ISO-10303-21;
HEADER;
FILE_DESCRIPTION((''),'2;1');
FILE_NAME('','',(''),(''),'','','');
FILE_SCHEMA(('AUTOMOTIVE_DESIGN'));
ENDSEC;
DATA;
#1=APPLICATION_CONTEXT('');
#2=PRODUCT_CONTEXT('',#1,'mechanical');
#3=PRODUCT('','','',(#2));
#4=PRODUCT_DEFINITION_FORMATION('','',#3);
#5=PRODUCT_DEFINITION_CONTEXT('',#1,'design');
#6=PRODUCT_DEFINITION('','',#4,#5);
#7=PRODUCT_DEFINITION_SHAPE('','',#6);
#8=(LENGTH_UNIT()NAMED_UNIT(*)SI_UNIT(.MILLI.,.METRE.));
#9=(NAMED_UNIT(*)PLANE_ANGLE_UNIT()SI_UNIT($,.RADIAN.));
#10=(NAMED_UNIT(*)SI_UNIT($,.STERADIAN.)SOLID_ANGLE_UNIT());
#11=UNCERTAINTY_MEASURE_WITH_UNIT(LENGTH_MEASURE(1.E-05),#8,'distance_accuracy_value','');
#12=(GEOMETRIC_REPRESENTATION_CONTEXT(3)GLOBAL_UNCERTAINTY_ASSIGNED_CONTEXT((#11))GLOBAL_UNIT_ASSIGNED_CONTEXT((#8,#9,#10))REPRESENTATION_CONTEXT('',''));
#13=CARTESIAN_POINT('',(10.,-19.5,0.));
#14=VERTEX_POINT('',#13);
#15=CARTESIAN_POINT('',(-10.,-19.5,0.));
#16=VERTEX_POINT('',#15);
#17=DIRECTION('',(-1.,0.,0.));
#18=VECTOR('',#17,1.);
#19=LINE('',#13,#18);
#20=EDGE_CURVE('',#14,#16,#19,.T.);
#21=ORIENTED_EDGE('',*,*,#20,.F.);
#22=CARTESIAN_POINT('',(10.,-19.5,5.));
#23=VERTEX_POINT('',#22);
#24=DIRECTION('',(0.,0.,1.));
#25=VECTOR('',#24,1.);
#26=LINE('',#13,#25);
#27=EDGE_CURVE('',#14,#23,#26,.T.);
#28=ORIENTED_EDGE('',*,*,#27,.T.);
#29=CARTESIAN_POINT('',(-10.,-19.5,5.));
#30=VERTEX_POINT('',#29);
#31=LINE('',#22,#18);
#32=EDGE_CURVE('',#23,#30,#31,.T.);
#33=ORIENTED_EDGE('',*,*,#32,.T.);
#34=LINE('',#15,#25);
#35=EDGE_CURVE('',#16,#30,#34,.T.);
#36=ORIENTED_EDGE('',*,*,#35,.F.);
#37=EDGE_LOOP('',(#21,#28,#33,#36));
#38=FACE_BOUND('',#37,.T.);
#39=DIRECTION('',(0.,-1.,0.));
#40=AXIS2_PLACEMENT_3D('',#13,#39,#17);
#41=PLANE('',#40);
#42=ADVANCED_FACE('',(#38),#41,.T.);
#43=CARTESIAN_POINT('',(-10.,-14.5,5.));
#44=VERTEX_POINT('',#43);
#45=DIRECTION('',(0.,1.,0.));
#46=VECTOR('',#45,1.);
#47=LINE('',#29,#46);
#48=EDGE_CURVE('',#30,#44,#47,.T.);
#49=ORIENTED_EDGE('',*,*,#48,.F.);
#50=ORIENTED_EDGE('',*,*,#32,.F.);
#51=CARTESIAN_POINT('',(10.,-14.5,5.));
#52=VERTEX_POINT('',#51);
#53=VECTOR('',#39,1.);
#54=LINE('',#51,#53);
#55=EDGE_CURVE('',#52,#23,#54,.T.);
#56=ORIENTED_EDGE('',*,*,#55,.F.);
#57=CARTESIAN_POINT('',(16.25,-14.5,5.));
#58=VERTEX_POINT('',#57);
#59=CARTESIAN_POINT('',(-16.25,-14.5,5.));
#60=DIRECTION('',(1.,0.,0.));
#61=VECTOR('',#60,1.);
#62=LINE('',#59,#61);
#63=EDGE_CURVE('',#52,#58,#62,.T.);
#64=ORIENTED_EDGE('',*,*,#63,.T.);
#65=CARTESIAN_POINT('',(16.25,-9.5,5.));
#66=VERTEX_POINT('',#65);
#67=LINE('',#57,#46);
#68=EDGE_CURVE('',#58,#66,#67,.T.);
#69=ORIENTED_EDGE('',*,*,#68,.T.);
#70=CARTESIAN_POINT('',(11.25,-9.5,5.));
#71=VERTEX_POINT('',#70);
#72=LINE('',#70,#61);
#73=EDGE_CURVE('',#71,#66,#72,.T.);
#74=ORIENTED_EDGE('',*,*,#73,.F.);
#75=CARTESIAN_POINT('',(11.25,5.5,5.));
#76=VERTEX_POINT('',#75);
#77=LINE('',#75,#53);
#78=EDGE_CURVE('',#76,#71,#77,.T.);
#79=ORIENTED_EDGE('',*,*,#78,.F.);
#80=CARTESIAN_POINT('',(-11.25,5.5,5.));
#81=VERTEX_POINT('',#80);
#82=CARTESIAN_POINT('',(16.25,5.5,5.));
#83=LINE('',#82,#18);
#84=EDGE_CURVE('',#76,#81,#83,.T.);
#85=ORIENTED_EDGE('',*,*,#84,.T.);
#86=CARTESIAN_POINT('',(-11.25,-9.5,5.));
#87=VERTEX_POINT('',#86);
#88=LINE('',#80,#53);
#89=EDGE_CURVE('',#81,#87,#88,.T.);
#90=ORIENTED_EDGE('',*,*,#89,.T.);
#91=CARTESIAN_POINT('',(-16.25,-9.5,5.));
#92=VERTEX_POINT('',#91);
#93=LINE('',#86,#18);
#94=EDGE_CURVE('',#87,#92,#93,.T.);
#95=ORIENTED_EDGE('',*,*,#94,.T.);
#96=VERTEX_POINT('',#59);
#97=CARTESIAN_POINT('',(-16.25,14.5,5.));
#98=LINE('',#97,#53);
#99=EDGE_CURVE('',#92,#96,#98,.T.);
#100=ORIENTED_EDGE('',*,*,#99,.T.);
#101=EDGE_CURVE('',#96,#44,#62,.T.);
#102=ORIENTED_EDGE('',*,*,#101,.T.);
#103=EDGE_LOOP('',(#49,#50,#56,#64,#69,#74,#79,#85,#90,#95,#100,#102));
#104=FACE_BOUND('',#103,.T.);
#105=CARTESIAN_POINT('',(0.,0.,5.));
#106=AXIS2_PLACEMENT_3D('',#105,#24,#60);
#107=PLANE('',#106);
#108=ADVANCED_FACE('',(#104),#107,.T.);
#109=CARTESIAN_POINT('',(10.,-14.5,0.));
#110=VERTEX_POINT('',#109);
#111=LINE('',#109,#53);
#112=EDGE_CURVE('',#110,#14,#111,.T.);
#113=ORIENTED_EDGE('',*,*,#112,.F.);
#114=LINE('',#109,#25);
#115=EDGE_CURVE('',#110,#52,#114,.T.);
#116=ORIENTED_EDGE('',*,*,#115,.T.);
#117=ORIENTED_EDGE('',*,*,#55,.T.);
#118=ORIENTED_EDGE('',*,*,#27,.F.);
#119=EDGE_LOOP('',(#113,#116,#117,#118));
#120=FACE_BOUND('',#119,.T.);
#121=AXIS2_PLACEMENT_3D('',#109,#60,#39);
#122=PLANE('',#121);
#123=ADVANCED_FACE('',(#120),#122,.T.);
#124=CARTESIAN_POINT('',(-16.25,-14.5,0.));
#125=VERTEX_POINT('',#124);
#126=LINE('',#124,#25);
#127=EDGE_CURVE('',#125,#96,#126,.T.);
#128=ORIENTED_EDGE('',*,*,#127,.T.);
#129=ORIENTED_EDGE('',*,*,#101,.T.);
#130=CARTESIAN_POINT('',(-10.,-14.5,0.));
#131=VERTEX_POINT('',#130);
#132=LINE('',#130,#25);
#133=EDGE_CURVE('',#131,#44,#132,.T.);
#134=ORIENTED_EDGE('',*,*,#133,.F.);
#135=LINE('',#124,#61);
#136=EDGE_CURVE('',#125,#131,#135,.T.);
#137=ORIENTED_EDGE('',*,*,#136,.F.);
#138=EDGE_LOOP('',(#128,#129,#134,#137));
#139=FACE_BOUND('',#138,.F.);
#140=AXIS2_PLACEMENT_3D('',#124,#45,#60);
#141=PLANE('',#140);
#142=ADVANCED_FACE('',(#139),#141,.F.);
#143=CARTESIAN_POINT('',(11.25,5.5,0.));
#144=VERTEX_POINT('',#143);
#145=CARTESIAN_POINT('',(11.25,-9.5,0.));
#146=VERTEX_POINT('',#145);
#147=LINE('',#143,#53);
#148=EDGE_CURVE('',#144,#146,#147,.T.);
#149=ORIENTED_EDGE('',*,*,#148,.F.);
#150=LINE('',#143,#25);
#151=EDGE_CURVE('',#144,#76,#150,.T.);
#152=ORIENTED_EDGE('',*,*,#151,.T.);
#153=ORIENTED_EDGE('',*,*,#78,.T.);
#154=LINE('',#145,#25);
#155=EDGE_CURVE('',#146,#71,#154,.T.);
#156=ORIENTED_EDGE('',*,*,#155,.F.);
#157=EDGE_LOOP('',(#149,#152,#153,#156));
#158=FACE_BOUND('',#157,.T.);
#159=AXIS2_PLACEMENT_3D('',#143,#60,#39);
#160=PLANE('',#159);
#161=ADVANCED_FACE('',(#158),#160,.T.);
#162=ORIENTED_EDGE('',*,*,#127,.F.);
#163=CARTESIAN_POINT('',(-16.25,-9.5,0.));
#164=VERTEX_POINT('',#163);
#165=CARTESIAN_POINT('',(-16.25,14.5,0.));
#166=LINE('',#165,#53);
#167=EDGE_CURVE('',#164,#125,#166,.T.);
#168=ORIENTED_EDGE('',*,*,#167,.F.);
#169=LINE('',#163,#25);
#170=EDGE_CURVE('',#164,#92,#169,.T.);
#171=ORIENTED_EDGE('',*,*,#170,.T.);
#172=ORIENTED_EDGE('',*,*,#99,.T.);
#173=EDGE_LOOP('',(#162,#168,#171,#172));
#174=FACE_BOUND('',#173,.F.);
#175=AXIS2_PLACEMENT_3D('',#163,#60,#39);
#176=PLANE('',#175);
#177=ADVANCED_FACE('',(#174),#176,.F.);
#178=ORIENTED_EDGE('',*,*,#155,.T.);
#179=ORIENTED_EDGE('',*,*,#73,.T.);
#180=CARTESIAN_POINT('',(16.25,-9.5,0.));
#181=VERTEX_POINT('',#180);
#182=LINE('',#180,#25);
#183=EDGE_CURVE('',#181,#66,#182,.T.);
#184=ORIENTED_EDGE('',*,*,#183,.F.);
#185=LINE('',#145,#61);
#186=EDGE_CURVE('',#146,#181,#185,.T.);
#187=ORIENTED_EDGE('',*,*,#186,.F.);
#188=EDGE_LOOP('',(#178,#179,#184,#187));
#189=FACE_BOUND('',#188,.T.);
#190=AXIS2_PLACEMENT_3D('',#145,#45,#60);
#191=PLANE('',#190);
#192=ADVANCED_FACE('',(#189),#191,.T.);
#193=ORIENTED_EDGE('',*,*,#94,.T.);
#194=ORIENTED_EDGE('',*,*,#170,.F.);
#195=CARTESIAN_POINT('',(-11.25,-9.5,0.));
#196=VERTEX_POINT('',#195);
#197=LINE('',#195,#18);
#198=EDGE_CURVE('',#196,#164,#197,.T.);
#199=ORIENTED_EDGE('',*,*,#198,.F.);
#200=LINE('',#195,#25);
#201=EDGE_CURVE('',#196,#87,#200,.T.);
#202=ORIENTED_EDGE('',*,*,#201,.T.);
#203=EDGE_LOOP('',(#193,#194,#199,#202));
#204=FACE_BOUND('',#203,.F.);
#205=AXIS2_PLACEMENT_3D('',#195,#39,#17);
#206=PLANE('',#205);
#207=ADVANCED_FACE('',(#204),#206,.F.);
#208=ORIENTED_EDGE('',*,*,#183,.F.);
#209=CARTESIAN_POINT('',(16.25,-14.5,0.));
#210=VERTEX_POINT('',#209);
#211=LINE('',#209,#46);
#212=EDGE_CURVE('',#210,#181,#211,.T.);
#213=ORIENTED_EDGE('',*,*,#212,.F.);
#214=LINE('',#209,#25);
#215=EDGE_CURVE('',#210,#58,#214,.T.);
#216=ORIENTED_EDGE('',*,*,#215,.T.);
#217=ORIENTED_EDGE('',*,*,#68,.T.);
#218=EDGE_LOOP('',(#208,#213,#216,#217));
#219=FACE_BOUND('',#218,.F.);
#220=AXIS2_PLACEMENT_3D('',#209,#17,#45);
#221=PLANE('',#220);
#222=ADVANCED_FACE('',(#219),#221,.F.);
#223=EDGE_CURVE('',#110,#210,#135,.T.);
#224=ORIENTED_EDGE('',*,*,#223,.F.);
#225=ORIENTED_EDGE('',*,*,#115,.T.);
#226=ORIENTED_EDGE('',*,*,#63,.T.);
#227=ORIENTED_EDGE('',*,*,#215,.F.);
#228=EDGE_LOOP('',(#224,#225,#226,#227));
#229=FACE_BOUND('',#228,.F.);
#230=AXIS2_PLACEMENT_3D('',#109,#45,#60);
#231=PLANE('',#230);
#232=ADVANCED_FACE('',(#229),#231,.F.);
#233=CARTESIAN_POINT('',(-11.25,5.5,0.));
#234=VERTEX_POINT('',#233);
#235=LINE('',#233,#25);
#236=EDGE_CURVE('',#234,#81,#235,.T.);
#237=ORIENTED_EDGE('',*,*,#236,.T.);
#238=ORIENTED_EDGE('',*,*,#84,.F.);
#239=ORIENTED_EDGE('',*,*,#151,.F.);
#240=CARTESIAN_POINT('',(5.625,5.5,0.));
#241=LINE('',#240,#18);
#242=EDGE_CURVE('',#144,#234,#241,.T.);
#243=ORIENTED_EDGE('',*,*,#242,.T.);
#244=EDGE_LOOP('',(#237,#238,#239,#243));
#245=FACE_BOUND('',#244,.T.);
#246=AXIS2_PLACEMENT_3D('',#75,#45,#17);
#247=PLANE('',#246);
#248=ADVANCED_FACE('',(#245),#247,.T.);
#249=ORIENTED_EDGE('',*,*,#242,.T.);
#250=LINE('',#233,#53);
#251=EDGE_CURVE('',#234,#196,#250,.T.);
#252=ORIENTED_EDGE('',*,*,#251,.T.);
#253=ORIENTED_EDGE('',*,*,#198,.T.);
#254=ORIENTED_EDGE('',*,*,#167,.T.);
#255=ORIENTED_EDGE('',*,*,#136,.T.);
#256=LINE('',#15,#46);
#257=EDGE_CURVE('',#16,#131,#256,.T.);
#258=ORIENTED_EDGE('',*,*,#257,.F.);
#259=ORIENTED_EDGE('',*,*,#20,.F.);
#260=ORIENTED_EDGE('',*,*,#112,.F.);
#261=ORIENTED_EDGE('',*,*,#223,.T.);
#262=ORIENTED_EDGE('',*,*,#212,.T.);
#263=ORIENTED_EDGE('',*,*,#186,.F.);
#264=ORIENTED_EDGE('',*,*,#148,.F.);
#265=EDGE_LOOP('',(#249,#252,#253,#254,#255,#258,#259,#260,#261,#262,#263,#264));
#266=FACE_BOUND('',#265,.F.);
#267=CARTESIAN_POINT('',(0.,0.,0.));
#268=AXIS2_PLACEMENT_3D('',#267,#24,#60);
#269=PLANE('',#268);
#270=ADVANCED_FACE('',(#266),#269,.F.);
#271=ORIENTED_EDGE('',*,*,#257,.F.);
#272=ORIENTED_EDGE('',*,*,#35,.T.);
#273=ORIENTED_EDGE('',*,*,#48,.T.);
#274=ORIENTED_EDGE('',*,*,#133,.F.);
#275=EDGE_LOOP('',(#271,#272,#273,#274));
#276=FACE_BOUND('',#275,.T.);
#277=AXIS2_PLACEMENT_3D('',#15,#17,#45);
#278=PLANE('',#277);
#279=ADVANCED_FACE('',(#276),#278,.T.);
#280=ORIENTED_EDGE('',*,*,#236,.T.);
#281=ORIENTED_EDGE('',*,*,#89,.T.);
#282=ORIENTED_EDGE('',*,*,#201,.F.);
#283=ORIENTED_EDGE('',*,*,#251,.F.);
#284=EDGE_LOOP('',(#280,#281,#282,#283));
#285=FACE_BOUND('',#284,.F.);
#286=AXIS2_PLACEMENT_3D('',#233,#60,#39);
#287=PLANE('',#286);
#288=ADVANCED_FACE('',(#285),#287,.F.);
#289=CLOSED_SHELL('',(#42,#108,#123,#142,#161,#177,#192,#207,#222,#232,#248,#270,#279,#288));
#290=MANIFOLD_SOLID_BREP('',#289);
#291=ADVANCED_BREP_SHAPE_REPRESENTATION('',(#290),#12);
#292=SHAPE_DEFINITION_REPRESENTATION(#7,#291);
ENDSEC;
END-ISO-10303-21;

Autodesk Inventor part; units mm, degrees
ref_plane "YZ Plane" through (0, 0, 0) normal (1, 0, 0) x (0, 1, 0)
ref_plane "XZ Plane" through (0, 0, 0) normal (0, 1, 0) x (-1, 0, 0)
ref_plane "XY Plane" through (0, 0, 0) normal (0, 0, 1) x (1, 0, 0)
sketch "Sketch1" plane through (0, 0, 0) normal (0, 0, 1) x (1, 0, 0)
  line L0 (-16.25, -14.5) -> (16.25, -14.5)
  line L1 (16.25, -14.5) -> (16.25, 14.5)
  line L2 (16.25, 14.5) -> (-16.25, 14.5)
  line L3 (-16.25, 14.5) -> (-16.25, -14.5)
  line L4 (-16.25, -14.5) -> (16.25, 14.5) construction
  line L5 (16.25, -14.5) -> (-16.25, 14.5) construction
  line L6 (-10, -14.5) -> (10, -14.5)
  line L7 (10, -14.5) -> (10, -19.5)
  line L8 (10, -19.5) -> (-10, -19.5)
  line L9 (-10, -19.5) -> (-10, -14.5)
  line L10 (16.25, 5.5) -> (11.25, 5.5)
  line L11 (11.25, 5.5) -> (11.25, -9.5)
  line L12 (11.25, -9.5) -> (16.25, -9.5)
  line L13 (16.25, -9.5) -> (16.25, 5.5)
  line L14 (-16.25, 5.5) -> (-11.25, 5.5)
  line L15 (-11.25, 5.5) -> (-11.25, -9.5)
  line L16 (-11.25, -9.5) -> (-16.25, -9.5)
  line L17 (-16.25, -9.5) -> (-16.25, 5.5)
  point P0 (0, 0)
  point P1 (0, -14.5)
  dimension "d0" = 29
  dimension "d1" = 32.5
  dimension "d2" = 5
  dimension "d3" = 20
  dimension "d4" = 10
  dimension "d5" = 5
  dimension "d6" = 5
  dimension "d7" = 15
  dimension "d8" = 15
  dimension "d9" = 9
extrude "Extrusion1" add sketch "Sketch1" along normal blind 5 contours L3 L16 L15 L14 L2 L1 L10 L11 L12 L0 | L0 L7 L8 L9
sketch "Sketch2" plane through (0, 0, 5) normal (0, 0, 1) x (1, 0, 0)
  line L0 (-16.25, 14.5) -> (-16.25, 5.5) projected
  line L1 (11.25, 5.5) -> (16.25, 5.5) projected
  line L2 (-16.25, 14.5) -> (16.25, 14.5)
  line L3 (16.25, 14.5) -> (16.25, 5.5)
  line L4 (16.25, 5.5) -> (-16.25, 5.5)
  line L5 (-16.25, 5.5) -> (-16.25, 14.5)
  point P0 (0, 0)
extrude "Extrusion2" cut sketch "Sketch2" against normal blind 10
equation "\"BendRadius\" = Thickness"
equation "\"BendReliefWidth\" = Thickness"
equation "\"BendReliefDepth\" = 0.5 * Thickness"
equation "\"CornerReliefSize\" = 4 * Thickness"
equation "\"MinimumRemnant\" = 2 * Thickness"
equation "\"TransitionRadius\" = BendRadius"
equation "\"JacobiRadiusSize\" = BendRadius"
equation "\"GapSize\" = Thickness"
equation "\"Thickness\" = 3.048"
properties part number "Manija3"
